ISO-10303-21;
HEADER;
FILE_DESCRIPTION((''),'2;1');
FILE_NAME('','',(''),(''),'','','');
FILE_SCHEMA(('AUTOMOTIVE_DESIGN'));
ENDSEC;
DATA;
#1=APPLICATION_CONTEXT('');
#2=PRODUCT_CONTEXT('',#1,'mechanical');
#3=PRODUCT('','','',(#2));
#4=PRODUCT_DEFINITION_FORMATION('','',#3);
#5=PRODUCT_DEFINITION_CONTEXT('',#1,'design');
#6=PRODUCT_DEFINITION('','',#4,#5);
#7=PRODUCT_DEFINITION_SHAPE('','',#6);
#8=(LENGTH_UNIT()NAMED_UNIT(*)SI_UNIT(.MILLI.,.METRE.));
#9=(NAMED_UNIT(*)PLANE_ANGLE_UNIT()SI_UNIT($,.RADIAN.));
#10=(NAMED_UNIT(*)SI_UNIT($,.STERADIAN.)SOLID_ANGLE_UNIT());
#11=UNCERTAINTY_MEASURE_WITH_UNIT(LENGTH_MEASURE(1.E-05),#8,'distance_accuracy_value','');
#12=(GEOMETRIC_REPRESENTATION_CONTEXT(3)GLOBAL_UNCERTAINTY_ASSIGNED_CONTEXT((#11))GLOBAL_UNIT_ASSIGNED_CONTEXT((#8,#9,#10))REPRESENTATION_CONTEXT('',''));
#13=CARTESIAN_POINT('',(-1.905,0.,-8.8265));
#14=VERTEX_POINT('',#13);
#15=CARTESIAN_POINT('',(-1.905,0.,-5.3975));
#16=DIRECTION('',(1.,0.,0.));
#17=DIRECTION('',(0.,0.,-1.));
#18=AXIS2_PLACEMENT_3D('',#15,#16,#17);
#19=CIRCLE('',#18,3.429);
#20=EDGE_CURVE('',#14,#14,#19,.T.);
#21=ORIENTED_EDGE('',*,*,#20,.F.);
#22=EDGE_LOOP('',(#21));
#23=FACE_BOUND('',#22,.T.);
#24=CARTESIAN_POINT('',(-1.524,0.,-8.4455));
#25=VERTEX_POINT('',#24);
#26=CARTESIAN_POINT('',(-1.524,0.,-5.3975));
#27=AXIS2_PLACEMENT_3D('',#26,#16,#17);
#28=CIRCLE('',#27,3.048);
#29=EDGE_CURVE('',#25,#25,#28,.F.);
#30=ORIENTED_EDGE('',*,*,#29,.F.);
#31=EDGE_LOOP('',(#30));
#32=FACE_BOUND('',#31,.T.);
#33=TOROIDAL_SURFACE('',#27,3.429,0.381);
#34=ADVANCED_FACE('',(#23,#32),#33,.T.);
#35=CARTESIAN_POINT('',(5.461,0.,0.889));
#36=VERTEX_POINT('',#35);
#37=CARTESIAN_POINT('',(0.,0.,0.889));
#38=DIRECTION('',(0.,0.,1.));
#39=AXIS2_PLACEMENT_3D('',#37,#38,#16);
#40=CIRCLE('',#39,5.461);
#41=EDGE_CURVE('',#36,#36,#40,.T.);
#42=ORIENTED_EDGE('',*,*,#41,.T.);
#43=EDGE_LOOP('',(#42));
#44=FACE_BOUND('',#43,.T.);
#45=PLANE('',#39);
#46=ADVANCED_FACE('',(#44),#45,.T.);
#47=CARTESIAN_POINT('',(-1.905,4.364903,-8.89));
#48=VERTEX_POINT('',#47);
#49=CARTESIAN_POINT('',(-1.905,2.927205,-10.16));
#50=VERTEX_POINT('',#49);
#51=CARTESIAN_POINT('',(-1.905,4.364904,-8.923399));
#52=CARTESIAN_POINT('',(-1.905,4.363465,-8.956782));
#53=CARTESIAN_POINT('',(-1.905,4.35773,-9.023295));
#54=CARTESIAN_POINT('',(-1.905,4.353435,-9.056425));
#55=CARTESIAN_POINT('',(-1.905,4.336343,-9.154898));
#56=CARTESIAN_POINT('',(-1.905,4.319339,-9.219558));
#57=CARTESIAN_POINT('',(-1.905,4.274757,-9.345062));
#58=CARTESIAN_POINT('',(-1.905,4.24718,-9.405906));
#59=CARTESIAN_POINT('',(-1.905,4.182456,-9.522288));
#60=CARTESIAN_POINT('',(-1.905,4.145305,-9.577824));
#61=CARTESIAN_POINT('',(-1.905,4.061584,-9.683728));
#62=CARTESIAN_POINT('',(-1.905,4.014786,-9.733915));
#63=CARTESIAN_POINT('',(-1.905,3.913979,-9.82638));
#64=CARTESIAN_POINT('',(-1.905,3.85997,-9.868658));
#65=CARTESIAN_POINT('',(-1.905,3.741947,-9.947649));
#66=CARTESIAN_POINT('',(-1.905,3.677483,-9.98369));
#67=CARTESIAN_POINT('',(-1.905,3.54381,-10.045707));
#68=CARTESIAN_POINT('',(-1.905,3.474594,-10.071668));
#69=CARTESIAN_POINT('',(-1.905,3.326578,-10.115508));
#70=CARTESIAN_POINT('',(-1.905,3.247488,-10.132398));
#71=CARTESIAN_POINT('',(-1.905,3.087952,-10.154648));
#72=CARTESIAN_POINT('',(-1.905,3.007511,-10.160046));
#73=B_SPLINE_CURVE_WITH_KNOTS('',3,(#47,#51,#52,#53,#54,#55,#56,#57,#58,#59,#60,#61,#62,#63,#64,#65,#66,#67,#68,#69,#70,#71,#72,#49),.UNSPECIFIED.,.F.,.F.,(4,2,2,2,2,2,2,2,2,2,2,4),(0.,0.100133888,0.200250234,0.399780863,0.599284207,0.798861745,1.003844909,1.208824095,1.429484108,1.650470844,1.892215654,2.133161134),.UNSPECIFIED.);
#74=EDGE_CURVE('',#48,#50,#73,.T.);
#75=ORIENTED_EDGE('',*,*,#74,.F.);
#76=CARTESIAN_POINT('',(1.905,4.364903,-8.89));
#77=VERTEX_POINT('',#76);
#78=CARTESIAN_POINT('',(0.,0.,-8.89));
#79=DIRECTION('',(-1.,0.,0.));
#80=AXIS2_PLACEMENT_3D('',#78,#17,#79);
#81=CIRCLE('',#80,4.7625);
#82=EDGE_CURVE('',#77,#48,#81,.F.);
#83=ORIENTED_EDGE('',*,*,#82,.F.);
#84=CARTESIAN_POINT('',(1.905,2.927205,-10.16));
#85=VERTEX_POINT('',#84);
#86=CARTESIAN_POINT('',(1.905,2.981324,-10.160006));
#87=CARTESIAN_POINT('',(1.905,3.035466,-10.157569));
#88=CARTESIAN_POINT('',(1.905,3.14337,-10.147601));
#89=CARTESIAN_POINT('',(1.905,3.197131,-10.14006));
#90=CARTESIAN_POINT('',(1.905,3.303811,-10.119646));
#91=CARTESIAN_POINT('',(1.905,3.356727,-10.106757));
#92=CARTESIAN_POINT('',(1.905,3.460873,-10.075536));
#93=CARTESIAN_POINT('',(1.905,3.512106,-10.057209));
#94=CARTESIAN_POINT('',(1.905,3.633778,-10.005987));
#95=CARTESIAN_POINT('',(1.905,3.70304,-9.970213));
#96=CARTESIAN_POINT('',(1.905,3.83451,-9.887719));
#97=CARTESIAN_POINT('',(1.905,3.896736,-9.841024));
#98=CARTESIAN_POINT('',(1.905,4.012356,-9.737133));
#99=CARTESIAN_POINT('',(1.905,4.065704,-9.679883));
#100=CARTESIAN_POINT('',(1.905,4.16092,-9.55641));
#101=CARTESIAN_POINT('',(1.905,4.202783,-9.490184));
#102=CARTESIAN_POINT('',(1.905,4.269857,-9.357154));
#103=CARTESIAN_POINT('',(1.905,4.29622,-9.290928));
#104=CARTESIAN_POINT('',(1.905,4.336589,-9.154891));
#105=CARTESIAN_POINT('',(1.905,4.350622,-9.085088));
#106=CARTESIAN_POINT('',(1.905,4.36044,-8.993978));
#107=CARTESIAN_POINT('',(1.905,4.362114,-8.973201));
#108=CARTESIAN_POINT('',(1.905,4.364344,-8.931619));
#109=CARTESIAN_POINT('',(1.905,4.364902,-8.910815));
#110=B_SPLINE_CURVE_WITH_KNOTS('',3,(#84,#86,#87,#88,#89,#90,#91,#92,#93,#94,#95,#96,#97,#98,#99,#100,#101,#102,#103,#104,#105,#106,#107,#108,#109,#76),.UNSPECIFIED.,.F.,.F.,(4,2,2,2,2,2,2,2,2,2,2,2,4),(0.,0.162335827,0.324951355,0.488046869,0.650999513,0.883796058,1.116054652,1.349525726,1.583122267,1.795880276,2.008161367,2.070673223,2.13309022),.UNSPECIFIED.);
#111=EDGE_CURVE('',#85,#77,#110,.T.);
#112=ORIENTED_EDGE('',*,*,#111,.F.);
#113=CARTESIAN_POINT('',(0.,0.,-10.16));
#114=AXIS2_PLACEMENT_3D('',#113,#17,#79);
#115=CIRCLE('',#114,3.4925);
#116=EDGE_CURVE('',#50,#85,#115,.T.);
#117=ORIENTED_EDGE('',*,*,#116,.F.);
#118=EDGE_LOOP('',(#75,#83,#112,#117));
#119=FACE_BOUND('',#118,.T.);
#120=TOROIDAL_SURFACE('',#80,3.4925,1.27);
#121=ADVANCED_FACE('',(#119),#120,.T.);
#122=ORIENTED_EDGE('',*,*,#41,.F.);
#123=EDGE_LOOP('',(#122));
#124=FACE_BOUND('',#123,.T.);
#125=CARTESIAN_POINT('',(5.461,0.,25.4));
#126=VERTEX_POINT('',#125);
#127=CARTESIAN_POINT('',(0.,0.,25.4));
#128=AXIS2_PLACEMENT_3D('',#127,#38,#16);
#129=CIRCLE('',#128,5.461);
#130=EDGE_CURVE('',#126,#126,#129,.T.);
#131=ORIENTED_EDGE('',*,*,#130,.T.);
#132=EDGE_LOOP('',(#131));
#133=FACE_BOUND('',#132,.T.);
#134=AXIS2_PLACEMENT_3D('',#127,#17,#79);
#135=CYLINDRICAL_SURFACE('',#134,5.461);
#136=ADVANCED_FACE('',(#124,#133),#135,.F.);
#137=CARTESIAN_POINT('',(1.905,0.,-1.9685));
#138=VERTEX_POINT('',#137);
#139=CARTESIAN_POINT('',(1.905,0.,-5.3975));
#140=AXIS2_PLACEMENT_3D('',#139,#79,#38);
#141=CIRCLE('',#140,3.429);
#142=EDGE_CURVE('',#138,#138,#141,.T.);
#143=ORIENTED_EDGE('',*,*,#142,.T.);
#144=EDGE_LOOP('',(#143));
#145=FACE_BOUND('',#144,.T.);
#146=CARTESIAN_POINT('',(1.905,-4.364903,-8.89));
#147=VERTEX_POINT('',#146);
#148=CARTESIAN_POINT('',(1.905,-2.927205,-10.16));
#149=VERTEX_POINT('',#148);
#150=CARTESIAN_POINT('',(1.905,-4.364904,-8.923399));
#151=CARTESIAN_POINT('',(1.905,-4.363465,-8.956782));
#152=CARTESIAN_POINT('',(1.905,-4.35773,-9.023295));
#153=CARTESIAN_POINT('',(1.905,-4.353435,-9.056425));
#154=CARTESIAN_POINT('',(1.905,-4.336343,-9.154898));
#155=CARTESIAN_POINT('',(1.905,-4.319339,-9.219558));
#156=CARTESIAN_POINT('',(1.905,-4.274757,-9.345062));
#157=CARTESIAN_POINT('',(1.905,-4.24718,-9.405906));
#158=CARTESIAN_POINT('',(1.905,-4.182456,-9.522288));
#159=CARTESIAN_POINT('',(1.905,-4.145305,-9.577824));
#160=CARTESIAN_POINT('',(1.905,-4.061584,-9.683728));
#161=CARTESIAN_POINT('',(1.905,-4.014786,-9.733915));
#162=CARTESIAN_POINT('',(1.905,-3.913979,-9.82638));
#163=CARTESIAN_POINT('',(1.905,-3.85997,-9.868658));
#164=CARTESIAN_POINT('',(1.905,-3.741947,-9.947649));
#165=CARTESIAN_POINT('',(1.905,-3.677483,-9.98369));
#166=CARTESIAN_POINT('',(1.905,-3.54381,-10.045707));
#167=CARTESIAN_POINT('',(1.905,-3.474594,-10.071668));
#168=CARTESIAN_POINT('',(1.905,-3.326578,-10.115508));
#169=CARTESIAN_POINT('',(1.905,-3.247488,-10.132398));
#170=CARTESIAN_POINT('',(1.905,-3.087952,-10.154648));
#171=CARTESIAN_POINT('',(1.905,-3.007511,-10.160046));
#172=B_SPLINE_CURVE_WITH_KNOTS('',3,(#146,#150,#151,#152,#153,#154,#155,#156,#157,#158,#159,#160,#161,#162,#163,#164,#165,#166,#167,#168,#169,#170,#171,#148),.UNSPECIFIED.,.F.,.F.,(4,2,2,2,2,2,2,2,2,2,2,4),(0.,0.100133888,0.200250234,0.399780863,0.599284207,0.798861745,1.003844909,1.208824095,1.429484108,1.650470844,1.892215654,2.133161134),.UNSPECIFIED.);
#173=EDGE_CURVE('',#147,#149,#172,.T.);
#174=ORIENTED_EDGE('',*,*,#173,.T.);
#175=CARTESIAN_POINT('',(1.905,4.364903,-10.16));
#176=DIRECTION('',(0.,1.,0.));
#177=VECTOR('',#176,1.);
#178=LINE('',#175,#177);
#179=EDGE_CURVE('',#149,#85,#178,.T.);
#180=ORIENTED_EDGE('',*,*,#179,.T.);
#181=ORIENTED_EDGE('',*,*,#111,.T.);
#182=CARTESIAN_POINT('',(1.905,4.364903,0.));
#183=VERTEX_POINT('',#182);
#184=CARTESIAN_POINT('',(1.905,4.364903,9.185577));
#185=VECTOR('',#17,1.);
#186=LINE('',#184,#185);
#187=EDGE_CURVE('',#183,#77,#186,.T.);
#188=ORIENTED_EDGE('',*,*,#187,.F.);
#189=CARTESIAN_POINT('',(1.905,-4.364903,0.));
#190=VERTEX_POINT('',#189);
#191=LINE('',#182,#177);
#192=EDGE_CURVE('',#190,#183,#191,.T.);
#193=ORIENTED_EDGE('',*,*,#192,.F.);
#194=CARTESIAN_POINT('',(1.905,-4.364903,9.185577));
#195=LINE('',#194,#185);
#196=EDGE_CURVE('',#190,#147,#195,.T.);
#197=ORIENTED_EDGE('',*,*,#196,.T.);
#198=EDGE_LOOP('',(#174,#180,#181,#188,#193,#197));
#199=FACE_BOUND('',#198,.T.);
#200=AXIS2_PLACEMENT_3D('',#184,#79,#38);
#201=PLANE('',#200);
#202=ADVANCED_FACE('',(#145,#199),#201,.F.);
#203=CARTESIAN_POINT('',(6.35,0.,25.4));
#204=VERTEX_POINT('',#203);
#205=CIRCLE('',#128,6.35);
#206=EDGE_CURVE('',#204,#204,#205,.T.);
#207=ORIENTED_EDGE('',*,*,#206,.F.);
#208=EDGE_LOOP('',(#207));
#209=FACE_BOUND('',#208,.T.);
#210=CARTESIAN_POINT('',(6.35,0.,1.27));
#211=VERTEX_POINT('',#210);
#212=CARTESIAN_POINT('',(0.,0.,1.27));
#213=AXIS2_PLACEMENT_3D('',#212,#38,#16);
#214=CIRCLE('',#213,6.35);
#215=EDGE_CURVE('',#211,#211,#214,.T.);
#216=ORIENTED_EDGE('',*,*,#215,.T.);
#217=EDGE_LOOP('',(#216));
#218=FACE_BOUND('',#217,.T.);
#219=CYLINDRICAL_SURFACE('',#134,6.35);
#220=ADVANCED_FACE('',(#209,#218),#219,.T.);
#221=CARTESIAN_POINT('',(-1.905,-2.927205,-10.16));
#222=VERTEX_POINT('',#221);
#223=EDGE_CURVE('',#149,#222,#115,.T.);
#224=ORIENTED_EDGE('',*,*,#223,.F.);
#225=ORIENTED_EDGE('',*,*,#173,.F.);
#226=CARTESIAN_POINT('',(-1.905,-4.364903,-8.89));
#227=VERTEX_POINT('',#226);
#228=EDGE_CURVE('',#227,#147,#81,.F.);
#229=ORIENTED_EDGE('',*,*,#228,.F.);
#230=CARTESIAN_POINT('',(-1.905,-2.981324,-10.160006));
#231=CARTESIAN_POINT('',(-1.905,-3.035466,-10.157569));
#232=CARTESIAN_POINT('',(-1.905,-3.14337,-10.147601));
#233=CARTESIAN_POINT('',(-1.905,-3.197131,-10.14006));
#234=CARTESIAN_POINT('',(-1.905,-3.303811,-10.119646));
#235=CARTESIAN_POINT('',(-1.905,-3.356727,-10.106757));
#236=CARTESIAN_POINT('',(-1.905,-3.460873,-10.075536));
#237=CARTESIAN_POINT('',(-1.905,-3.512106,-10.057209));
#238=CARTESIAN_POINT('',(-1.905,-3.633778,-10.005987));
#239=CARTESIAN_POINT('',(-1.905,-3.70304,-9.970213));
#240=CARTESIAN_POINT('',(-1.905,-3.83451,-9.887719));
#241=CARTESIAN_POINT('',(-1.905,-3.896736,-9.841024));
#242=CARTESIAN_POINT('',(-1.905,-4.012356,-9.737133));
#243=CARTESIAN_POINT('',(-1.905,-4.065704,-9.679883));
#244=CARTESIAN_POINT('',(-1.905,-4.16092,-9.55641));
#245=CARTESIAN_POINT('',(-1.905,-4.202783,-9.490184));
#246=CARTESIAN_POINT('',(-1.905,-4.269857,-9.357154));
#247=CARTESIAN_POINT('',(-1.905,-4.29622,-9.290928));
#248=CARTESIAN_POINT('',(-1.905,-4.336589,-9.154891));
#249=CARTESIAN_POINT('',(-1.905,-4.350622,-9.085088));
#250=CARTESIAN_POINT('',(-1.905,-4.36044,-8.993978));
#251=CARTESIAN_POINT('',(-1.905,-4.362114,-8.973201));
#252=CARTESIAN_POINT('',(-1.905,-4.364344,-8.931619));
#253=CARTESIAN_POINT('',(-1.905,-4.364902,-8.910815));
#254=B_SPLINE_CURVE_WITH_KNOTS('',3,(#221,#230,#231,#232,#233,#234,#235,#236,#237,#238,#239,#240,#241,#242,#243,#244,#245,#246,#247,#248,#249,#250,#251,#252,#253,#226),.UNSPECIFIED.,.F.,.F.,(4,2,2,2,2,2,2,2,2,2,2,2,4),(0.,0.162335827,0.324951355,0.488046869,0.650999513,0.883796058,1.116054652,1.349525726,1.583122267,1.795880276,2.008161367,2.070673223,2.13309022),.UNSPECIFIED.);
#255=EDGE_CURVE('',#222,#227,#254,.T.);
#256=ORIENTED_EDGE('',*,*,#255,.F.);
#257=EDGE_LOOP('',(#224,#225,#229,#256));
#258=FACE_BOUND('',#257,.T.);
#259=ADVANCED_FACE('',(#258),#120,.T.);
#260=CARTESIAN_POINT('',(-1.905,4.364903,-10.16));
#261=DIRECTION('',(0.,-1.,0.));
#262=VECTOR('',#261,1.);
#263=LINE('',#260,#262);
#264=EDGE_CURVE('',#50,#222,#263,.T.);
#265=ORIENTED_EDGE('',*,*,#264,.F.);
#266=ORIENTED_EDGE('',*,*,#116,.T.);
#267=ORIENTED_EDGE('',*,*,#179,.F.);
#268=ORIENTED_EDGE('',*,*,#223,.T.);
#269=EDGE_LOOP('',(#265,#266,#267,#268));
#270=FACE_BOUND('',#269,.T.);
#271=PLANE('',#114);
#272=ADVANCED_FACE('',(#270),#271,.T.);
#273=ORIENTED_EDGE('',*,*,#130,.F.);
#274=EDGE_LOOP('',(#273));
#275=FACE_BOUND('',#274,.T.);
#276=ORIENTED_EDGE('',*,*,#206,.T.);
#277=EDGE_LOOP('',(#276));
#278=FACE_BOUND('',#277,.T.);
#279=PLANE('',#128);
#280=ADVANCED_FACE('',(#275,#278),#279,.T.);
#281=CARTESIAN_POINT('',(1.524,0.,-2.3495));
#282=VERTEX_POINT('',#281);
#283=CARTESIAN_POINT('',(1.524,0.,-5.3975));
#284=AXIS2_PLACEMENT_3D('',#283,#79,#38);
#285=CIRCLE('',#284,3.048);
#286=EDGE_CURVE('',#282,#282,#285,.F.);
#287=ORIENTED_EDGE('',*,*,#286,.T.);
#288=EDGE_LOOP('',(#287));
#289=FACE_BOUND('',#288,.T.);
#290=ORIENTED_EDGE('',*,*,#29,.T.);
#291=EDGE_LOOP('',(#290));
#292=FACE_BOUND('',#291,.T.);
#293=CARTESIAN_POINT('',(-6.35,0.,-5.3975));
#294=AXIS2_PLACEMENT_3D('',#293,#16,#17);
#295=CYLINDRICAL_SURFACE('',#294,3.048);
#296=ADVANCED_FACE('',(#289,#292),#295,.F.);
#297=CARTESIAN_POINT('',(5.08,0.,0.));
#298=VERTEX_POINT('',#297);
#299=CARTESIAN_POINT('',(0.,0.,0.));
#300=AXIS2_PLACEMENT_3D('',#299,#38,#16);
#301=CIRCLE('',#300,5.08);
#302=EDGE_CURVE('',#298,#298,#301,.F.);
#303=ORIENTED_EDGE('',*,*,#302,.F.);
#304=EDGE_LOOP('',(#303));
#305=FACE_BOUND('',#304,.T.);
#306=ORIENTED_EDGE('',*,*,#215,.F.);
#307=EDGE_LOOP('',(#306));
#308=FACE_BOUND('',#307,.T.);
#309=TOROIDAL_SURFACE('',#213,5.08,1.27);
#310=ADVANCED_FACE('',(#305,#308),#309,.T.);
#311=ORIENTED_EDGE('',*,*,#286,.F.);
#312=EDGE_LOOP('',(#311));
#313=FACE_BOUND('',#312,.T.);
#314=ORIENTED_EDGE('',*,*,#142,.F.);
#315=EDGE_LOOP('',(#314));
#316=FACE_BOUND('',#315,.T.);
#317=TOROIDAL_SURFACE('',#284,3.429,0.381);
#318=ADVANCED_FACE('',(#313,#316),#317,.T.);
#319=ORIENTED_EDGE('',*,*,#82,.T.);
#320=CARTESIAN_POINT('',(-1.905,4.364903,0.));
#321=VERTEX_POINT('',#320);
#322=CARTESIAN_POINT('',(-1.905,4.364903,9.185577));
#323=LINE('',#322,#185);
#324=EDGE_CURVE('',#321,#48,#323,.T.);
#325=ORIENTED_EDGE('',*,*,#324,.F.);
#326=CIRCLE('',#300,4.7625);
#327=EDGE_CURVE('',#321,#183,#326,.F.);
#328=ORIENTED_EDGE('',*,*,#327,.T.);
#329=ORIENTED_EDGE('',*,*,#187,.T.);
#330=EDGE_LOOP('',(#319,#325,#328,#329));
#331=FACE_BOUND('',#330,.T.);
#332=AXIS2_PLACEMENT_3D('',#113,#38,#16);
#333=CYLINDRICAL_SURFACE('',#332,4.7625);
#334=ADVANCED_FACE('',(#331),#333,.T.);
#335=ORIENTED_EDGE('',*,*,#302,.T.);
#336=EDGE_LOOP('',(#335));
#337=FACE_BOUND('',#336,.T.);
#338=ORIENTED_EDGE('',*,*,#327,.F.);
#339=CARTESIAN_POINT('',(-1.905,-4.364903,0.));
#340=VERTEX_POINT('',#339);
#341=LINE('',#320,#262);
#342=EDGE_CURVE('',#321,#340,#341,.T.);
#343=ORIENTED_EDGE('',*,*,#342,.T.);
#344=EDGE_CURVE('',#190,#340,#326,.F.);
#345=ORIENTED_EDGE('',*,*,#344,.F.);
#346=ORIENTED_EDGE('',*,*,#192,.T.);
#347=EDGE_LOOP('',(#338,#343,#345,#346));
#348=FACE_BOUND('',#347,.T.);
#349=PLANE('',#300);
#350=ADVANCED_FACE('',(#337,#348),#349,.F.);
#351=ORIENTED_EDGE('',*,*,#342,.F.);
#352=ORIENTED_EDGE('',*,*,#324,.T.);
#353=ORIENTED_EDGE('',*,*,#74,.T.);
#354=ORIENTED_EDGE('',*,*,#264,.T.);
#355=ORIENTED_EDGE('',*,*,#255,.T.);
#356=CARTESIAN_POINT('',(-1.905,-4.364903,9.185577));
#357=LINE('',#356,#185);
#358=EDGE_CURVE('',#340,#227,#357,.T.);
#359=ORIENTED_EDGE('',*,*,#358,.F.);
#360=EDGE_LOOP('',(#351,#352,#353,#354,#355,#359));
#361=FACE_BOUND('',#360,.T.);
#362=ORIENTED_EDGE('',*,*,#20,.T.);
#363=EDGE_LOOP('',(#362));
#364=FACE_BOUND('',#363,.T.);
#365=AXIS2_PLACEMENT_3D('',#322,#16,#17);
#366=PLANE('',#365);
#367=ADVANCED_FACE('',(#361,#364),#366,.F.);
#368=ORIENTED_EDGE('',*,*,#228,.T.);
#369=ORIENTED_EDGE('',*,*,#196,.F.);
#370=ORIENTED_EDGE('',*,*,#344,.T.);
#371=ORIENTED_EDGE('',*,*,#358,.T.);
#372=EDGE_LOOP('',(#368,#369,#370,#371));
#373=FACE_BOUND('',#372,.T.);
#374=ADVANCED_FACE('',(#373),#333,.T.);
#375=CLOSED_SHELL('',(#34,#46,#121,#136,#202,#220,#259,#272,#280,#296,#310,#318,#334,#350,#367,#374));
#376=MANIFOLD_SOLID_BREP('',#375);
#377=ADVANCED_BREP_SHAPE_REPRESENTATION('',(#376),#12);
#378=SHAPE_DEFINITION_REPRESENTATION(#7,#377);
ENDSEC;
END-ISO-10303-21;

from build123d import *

# Parameters (mm, degrees)
SKETCH1_R           = 6.35
BOSS_EXTRUDE1_DEPTH = 25.4
SHELL1_T            = -0.889
FILLET1_R           = 1.27
SKETCH2_R           = 4.7625
BOSS_EXTRUDE2_DEPTH = 10.16
CUT_EXTRUDE1_START  = -10.16
CUT_EXTRUDE1_DEPTH  = 10.16
SKETCH4_R           = 3.048
CUT_EXTRUDE2_DEPTH  = 28.452277251
FILLET2_R           = 0.381
FILLET3_R           = 1.27


with BuildPart() as part:
    # Sketch1 → Boss-Extrude1 (new body)
    with BuildSketch(Plane.XY):
        Circle(SKETCH1_R)
    extrude(amount=BOSS_EXTRUDE1_DEPTH)

    # Shell1
    shell1_openings = [part.faces().sort_by_distance(p)[0] for p in [
        (0, 0, 25.4),
    ]]
    offset(amount=SHELL1_T, openings=shell1_openings, kind=Kind.INTERSECTION)

    # Fillet1
    fillet1_edges = [part.edges().sort_by_distance(p)[0] for p in [
        (-6.35, 0, 0),
    ]]
    fillet(fillet1_edges, radius=FILLET1_R)

    # Sketch2 → Boss-Extrude2 (add)
    with BuildSketch(Plane(origin=(0, 0, 0), x_dir=(-1, 0, 0), z_dir=(0, 0, -1))):
        with Locations(Location((0, 0, 0), (0, 0, 180))):
            Circle(SKETCH2_R)
    extrude(amount=BOSS_EXTRUDE2_DEPTH)

    # Sketch3 → Cut-Extrude1 (cut)
    with BuildSketch(Plane(origin=(0, 0, -10.16), x_dir=(-1, 0, 0), z_dir=(0, 0, -1)).offset(CUT_EXTRUDE1_START)):
        with BuildLine():
            Line((-1.905, 4.364903349), (-1.905, -4.364903349))
            ThreePointArc((-1.905, -4.364903349), (-4.7625, 0), (-1.905, 4.364903349))
        make_face()
        with BuildLine():
            Line((1.905, 4.364903349), (1.905, -4.364903349))
            ThreePointArc((1.905, -4.364903349), (4.7625, 0), (1.905, 4.364903349))
        make_face()
    extrude(amount=CUT_EXTRUDE1_DEPTH, mode=Mode.SUBTRACT)

    # Sketch4 → Cut-Extrude2 (cut, through all)
    with BuildSketch(Plane(origin=(1.905, 0, 0), x_dir=(0, 0, -1), z_dir=(1, 0, 0))):
        with Locations((5.3975, 0)):
            Circle(SKETCH4_R)
    extrude(amount=-CUT_EXTRUDE2_DEPTH, mode=Mode.SUBTRACT)

    # Fillet2
    fillet2_edges = [part.edges().sort_by_distance(p)[0] for p in [
        (-1.905, 0, -2.3495),
        (1.905, 0, -2.3495),
    ]]
    fillet(fillet2_edges, radius=FILLET2_R)

    # Fillet3
    fillet3_edges = [part.edges().sort_by_distance(p)[0] for p in [
        (0, 4.7625, -10.16),
        (0, -4.7625, -10.16),
    ]]
    fillet(fillet3_edges, radius=FILLET3_R)


solid = part.part
